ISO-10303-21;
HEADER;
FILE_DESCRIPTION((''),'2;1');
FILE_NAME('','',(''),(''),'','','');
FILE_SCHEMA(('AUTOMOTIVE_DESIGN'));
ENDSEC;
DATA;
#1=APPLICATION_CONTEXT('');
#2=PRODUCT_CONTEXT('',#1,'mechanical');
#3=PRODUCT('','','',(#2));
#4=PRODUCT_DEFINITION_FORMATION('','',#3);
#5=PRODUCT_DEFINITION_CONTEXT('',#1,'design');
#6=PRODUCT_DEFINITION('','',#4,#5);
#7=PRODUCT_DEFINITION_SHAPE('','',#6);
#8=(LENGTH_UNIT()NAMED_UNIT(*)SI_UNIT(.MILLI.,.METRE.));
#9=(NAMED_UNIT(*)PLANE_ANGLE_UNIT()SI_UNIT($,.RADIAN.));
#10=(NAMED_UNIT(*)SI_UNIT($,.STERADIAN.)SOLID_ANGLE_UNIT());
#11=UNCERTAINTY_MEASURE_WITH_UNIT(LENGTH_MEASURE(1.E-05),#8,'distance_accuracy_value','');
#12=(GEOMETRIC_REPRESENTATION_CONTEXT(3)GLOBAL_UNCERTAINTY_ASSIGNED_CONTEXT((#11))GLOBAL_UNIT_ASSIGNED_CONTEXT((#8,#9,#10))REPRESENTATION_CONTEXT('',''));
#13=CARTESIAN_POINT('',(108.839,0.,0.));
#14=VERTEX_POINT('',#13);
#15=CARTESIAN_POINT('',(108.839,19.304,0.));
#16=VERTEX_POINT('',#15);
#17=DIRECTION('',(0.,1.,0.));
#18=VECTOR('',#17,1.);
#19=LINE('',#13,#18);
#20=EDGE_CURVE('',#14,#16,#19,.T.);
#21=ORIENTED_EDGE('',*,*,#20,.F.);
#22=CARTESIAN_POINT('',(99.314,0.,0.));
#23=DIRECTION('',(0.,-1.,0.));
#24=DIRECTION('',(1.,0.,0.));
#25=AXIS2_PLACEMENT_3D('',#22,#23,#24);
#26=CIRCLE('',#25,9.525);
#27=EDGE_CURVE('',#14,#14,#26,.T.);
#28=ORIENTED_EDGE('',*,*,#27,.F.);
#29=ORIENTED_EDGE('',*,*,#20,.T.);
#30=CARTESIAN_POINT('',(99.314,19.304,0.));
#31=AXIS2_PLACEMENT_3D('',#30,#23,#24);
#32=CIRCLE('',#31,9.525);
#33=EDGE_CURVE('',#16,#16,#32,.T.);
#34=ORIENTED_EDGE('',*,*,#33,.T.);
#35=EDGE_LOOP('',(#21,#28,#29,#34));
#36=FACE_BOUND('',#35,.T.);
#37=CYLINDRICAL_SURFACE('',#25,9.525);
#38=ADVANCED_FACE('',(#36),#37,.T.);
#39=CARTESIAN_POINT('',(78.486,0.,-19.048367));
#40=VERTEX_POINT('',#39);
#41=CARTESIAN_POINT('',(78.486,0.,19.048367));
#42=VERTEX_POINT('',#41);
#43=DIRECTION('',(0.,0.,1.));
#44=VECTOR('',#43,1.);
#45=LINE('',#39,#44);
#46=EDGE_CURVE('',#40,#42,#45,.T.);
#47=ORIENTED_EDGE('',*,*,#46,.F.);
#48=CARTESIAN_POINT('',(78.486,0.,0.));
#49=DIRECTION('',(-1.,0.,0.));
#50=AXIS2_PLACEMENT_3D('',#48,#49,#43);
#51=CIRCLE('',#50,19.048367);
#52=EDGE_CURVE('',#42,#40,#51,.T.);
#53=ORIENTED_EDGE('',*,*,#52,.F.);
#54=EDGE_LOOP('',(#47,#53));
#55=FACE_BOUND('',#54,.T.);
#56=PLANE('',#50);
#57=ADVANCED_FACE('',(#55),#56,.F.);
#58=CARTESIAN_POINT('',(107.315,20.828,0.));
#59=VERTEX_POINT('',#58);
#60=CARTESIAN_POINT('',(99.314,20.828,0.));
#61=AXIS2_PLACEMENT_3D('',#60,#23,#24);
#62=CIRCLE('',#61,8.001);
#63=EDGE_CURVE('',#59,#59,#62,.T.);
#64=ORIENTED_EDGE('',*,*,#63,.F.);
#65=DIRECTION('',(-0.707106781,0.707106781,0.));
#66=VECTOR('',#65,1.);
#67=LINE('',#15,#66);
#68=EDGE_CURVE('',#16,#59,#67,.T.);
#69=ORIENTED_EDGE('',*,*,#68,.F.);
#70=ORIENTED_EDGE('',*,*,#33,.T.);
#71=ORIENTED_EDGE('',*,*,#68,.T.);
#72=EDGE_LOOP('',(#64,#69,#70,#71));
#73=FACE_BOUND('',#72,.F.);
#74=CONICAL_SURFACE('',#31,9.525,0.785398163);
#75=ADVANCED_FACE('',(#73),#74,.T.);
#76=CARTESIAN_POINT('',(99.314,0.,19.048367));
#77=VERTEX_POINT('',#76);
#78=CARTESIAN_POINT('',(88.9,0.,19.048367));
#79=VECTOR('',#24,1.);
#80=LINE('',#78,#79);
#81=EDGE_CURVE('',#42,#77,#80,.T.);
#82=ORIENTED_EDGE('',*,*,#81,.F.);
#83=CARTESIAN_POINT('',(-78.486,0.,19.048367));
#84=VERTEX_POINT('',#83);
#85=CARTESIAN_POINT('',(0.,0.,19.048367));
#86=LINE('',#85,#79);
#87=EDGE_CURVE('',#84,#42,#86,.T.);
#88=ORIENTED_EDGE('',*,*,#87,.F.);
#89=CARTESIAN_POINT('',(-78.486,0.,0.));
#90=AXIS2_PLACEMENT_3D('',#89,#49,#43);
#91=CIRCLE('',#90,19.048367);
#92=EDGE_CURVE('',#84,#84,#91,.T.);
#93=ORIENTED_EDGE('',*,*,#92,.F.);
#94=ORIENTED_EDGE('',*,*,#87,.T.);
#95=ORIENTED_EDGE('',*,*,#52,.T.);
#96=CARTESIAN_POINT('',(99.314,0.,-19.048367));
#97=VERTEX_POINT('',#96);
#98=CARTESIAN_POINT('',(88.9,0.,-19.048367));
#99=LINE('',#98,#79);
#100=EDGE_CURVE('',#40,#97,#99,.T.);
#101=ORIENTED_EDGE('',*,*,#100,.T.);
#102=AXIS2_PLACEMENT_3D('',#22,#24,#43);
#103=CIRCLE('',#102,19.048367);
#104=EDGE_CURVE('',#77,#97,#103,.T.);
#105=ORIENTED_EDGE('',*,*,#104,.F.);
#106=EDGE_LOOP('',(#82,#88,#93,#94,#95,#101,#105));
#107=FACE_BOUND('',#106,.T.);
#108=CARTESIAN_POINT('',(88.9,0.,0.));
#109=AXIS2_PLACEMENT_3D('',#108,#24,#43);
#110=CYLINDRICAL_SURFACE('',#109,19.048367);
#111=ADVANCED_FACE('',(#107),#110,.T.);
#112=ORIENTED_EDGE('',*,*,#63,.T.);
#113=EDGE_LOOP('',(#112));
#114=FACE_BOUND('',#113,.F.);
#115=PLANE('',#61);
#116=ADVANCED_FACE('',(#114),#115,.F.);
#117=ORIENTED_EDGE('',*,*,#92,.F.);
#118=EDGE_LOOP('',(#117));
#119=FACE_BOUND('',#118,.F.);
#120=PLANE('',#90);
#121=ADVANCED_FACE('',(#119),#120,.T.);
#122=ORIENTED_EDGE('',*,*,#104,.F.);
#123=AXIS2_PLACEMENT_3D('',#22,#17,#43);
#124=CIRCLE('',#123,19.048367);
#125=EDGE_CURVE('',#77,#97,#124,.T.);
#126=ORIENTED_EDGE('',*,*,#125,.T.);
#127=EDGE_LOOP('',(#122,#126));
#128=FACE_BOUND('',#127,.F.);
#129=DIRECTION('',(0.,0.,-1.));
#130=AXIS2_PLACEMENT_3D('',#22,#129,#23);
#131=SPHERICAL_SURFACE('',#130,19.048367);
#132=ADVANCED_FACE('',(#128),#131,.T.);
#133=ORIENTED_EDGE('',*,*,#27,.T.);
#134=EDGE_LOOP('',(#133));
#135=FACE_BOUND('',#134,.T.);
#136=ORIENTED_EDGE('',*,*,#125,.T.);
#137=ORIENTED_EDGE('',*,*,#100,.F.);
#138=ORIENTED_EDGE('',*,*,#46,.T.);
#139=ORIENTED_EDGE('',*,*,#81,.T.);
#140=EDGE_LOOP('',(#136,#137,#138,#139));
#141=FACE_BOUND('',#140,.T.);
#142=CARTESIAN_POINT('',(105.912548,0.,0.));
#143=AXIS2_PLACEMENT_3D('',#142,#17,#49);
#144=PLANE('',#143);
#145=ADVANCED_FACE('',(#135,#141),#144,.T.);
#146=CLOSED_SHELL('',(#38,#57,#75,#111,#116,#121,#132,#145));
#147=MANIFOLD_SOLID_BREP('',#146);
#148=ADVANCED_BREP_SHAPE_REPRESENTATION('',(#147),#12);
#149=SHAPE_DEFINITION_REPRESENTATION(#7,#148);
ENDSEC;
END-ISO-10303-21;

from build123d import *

# Parameters (mm, degrees)
F0_W     = 156.972
F0_H     = 19.0483668515
F1_W     = 20.828
F1_H     = 19.0483668515
F3_ANGLE = 180
F4_ANGLE = 90
F5_R     = 9.525
F6_DEPTH = 20.828
F7_SIZE2 = 1.524
F7_SIZE  = 1.524


with BuildPart() as f2:
    # F0 (on Front) → F2 (revolve)
    with BuildSketch(Plane.XZ):
        with Locations((0, 9.5241834258)):
            Rectangle(F0_W, F0_H)
    revolve(axis=Axis((0, 0, 0), (-1, 0, 0)))

    # F1 (on Front) → F3 (revolve)
    with BuildSketch(Plane.XZ):
        with Locations((88.9, 9.5241834258)):
            Rectangle(F1_W, F1_H)
    revolve(axis=Axis((88.9, 0, 0), (1, 0, 0)), revolution_arc=F3_ANGLE)

    # F3_face (on face) → F4 (revolve)
    with BuildSketch(Plane(origin=(99.314, -8.0843779793, 0), x_dir=(0, 1, 0), z_dir=(1, 0, 0))):
        with BuildLine():
            ThreePointArc((8.0843779793, 19.0483668515), (-10.9639888722, 0), (8.0843779793, -19.0483668515))
            Line((8.0843779793, -19.0483668515), (8.0843779793, 19.0483668515))
        make_face()
    revolve(axis=Axis((99.314, 0, 0), (0, 0, 1)), revolution_arc=F4_ANGLE)

    # F5 (on Front) → F6 (join)
    with BuildSketch(Plane.XZ):
        with Locations((99.314, 0)):
            Circle(F5_R)
    extrude(amount=-F6_DEPTH)

    # F7
    f7_edges = [f2.edges().sort_by_distance(p)[0] for p in [
        (89.789, 20.828, 0),
    ]]
    chamfer(f7_edges, length=F7_SIZE, length2=F7_SIZE2)


solid = f2.part
